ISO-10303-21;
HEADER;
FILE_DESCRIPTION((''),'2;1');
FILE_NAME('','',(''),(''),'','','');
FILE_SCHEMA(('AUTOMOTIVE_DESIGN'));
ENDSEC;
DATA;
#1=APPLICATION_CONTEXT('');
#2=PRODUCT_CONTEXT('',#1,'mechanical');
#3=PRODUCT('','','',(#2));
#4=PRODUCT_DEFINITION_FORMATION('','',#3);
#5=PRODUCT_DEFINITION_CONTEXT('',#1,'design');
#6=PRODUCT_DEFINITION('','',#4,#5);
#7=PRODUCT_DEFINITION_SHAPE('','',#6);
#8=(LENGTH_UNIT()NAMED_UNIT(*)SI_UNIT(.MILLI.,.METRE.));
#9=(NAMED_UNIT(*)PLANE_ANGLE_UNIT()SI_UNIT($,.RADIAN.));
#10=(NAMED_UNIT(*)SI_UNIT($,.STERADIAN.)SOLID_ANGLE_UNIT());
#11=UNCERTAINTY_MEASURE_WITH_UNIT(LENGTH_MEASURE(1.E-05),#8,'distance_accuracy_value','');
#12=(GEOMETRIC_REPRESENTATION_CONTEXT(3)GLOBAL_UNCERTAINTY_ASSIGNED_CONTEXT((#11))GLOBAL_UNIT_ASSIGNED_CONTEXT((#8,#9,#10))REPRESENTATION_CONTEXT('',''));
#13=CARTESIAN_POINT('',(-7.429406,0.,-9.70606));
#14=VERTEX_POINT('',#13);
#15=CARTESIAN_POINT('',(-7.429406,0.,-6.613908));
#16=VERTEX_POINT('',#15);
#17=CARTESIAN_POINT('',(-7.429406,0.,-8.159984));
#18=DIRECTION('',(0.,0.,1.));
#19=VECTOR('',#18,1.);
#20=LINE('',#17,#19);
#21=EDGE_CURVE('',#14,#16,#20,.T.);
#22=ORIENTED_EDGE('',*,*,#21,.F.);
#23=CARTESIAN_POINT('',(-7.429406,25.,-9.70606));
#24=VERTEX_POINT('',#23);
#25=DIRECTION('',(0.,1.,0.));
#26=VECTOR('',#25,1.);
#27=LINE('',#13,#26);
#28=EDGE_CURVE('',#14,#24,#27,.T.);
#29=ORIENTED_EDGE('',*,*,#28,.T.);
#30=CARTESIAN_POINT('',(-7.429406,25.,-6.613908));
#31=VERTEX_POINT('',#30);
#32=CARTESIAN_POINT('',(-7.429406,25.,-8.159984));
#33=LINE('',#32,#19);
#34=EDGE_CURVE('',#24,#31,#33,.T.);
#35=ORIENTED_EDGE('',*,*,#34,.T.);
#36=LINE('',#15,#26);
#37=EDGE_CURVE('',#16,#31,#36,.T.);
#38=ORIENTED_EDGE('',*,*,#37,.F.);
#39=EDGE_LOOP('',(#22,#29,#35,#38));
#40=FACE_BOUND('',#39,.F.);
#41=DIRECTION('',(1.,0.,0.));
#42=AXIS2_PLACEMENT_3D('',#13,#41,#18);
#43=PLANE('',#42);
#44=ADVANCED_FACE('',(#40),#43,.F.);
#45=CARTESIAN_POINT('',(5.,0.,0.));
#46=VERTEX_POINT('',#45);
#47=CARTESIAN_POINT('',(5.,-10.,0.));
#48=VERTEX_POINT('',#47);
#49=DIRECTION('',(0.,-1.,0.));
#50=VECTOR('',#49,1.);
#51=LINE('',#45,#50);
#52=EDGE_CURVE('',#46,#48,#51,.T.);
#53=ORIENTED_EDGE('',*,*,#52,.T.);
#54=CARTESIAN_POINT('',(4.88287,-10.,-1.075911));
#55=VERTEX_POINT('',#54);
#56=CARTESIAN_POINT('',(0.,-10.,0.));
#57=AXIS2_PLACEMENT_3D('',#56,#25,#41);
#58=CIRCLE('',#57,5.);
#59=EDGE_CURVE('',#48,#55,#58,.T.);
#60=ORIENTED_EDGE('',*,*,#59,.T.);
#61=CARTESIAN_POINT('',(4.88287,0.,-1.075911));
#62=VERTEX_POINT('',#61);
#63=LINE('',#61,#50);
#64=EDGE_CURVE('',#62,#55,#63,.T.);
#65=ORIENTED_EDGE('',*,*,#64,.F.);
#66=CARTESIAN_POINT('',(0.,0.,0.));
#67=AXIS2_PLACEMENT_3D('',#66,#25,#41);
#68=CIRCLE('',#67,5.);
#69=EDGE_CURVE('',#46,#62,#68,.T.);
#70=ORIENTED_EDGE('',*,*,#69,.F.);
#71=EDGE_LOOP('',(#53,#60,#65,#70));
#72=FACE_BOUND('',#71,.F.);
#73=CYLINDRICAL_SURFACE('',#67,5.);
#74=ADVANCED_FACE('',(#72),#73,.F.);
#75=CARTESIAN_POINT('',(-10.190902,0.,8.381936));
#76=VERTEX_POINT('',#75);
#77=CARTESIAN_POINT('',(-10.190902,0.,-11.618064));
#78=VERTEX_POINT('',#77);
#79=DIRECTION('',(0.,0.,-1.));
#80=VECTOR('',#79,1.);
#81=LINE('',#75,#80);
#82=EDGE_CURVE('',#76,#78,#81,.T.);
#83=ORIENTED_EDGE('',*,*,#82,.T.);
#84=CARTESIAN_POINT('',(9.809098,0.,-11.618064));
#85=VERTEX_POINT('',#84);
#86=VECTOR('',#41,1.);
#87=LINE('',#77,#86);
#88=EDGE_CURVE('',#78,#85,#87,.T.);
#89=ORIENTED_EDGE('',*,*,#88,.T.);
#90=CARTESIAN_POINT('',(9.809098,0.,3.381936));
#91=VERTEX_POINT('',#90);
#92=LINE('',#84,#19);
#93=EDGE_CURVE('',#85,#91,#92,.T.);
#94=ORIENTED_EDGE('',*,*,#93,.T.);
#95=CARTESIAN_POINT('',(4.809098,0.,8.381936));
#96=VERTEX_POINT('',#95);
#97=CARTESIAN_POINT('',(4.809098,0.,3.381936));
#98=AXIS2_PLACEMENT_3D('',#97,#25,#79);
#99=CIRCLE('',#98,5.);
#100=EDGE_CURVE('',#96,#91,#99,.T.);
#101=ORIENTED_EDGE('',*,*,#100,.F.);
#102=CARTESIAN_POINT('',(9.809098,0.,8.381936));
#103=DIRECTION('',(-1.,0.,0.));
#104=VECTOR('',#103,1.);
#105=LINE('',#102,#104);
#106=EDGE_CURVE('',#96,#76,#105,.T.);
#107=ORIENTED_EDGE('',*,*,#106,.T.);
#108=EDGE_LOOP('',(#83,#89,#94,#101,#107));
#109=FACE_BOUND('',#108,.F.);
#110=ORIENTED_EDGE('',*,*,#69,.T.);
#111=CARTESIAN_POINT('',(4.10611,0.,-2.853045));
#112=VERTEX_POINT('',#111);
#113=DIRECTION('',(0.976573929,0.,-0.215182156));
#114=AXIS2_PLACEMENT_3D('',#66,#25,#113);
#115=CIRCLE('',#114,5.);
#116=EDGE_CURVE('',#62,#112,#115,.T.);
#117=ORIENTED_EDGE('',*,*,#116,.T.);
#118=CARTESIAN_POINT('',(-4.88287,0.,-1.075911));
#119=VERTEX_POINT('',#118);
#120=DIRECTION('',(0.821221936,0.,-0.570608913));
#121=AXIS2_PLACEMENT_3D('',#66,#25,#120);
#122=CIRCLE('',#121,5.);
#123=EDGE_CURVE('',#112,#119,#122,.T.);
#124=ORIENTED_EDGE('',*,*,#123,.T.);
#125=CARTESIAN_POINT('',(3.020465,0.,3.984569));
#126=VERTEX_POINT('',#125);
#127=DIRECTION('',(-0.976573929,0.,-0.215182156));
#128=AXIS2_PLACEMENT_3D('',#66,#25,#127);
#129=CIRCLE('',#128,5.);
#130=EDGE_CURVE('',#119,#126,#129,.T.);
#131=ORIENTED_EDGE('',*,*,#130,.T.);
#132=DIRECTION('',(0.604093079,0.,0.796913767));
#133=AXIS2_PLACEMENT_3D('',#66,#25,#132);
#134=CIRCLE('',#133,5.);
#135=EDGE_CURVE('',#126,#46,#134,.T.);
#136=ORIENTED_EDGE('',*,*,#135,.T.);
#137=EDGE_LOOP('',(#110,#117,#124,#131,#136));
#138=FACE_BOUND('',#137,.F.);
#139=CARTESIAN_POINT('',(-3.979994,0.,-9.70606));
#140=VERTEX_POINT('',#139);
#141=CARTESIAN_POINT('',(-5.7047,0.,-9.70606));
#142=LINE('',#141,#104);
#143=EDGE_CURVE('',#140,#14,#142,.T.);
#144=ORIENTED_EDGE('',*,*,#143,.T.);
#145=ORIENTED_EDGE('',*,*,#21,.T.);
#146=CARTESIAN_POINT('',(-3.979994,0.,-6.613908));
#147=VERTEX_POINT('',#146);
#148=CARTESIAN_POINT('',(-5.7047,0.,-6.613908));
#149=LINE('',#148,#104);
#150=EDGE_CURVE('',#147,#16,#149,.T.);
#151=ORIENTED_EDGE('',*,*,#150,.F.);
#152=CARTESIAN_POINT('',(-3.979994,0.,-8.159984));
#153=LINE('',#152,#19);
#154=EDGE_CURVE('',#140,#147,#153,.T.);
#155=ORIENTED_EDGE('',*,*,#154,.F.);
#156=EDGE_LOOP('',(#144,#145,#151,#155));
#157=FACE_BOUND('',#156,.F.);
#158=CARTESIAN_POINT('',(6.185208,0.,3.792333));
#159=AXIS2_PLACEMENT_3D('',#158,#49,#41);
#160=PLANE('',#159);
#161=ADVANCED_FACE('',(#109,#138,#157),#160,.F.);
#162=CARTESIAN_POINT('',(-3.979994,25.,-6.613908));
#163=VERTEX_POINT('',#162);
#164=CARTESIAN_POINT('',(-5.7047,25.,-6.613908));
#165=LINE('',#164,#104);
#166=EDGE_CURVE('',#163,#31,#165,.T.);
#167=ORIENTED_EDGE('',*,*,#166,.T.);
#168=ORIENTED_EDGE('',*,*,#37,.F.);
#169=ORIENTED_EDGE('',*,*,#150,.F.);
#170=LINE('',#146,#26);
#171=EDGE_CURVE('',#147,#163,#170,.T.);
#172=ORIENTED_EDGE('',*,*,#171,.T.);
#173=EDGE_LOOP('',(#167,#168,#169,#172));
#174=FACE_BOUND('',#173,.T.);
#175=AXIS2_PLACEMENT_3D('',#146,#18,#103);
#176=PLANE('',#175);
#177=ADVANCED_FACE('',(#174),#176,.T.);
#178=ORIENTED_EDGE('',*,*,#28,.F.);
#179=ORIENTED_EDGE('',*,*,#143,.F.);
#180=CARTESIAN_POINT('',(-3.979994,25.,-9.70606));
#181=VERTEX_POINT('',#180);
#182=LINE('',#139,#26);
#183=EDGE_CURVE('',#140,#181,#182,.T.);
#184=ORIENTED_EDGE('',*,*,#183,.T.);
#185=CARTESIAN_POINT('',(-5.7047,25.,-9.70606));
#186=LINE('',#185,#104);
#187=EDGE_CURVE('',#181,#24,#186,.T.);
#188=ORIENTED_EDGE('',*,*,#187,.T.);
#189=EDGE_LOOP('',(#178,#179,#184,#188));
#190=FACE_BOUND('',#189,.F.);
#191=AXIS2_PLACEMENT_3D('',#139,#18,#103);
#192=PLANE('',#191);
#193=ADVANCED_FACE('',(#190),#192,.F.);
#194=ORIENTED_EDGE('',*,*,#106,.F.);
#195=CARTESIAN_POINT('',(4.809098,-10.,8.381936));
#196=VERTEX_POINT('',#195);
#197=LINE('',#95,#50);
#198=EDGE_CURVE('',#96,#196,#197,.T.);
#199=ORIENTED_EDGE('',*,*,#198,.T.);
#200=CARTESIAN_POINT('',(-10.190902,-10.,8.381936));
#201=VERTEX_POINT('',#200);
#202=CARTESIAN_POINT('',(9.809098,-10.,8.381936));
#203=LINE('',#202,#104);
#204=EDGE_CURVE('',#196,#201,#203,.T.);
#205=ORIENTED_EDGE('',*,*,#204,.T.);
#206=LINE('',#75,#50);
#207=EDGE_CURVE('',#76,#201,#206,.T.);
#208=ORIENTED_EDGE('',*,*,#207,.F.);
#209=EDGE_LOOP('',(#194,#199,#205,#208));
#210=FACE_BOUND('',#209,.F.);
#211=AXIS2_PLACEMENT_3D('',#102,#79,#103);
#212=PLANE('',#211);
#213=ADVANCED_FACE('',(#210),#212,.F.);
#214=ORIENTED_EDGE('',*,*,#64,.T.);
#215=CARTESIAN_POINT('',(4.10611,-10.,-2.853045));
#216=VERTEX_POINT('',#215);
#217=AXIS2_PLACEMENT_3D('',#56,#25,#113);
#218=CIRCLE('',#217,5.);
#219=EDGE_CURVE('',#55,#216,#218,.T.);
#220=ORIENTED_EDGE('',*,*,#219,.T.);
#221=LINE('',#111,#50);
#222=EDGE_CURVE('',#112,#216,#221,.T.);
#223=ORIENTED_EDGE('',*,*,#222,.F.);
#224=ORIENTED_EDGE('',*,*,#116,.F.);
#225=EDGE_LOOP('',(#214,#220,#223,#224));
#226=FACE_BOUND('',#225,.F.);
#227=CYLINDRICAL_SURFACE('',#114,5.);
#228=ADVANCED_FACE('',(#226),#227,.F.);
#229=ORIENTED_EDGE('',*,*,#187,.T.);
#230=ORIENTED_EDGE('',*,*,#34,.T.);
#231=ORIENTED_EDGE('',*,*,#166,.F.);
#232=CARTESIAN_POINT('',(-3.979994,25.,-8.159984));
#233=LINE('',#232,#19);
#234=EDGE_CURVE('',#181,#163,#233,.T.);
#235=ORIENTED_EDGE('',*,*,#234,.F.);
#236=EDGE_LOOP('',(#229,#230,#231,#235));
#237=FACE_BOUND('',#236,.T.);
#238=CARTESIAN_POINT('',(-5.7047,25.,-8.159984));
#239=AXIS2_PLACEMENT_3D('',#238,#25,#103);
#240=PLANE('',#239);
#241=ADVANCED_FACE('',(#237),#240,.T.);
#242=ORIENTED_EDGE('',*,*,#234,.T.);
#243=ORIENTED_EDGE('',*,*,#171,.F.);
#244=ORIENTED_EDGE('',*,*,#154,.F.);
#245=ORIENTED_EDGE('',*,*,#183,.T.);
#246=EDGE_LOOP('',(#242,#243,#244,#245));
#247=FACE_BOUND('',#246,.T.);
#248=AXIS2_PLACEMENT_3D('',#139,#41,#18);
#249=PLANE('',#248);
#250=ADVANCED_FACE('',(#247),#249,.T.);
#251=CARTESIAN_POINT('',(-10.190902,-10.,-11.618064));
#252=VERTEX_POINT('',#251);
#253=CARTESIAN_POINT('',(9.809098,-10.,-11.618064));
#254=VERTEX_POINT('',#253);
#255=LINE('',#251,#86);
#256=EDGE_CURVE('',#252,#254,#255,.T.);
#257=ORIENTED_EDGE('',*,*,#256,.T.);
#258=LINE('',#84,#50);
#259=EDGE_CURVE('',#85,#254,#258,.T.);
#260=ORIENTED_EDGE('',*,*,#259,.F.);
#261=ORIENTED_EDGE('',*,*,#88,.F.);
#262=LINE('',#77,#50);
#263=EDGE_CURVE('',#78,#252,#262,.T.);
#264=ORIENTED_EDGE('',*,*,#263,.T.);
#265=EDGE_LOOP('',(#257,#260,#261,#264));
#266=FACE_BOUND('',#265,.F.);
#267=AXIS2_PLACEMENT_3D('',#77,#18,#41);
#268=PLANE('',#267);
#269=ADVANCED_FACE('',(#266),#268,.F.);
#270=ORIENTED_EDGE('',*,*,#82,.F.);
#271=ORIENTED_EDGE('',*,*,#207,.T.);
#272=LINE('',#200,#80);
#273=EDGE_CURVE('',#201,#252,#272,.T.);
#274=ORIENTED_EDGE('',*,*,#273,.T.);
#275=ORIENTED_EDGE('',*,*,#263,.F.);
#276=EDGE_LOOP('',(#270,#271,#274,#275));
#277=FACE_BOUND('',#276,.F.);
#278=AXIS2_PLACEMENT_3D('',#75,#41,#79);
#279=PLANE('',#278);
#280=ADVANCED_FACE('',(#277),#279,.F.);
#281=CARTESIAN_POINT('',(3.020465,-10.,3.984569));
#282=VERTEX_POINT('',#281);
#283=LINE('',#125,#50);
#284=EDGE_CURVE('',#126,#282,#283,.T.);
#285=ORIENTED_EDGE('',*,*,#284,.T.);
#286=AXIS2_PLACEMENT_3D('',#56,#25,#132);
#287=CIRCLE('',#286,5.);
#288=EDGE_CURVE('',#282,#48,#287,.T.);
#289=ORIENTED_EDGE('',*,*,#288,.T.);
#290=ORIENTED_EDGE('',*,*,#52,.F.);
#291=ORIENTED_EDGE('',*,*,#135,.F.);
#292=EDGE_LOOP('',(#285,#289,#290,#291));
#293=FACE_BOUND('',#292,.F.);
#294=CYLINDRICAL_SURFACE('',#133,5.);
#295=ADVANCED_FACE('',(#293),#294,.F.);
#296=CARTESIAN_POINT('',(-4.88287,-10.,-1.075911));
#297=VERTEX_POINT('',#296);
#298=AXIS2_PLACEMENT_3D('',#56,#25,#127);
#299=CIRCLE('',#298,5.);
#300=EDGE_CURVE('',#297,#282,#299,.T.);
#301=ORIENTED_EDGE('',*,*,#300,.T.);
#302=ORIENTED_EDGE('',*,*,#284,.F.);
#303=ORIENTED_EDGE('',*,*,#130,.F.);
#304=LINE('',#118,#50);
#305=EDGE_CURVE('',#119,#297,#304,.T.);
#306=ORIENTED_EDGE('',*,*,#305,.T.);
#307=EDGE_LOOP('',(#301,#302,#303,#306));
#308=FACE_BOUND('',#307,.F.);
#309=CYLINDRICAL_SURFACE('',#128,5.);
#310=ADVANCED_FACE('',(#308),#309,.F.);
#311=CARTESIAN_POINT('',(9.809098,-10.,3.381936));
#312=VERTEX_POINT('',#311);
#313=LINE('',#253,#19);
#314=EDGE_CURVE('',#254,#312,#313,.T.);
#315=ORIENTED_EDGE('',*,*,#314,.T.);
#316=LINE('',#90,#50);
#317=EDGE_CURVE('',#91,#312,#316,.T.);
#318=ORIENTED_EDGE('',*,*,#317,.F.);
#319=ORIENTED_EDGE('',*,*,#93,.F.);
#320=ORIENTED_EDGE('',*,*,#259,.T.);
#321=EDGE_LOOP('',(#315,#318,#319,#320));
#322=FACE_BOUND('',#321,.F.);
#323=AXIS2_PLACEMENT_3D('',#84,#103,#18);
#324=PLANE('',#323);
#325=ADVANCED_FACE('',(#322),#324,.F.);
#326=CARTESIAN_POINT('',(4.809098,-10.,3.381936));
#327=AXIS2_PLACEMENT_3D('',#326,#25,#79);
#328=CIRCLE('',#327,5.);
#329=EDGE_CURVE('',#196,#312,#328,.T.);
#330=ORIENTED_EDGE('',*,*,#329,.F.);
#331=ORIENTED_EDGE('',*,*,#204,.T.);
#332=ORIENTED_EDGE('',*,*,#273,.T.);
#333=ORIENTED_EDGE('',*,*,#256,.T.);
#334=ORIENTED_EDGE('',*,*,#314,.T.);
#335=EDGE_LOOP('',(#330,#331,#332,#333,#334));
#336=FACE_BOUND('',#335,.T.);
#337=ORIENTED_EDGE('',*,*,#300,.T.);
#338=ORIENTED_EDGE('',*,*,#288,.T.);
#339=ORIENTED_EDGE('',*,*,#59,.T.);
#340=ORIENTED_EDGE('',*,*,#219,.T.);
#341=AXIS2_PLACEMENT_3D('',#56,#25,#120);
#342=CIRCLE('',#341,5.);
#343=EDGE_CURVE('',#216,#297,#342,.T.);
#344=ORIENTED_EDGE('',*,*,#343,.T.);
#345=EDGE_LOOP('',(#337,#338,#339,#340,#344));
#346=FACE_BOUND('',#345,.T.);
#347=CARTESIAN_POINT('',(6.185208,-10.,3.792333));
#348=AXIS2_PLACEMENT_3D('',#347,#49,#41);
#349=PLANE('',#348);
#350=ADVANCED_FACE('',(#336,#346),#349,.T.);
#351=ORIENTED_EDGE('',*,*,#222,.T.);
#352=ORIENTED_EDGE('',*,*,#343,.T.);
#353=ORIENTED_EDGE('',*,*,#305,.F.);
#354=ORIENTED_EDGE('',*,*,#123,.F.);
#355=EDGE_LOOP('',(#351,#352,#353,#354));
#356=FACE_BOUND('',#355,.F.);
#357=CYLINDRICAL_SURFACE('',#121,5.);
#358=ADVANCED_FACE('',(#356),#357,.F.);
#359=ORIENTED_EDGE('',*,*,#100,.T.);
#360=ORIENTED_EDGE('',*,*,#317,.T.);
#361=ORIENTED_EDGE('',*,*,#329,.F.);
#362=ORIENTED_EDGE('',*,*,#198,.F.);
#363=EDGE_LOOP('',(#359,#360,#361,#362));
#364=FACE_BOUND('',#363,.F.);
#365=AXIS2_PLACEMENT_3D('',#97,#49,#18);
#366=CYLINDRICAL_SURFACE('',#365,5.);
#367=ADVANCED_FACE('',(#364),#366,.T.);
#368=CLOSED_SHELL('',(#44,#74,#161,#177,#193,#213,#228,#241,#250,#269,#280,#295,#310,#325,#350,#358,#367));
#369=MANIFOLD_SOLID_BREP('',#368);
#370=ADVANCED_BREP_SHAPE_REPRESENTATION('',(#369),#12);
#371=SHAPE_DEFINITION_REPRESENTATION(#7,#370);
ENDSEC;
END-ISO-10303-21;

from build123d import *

# Parameters (mm, degrees)
F1_DEPTH = 10
F2_R     = 5
F3_W     = 3.4494120628
F3_H     = 3.0921520665
F4_DEPTH = 25


with BuildPart() as f1:
    # F0 (on Front) → F1 (new body)
    with BuildSketch(Plane.XZ):
        with BuildLine():
            Line((9.80909843, 8.3819362969), (0.1013143445, 8.3819362969))
            ThreePointArc((0.1013143445, 8.3819362969), (1.7648005084, 6.3186167265), (3.0204653947, 3.9845688349))
            ThreePointArc((3.0204653947, 3.9845688349), (4.477852553, 2.2245980566), (5, 0))
            ThreePointArc((5, 0), (4.9706311589, -0.5411338858), (4.882869647, -1.0759107816))
            ThreePointArc((4.882869647, -1.0759107816), (6.6796718733, -2.1122029912), (8.2635629596, -3.4514896709))
            ThreePointArc((8.2635629596, -3.4514896709), (9.0582816008, -2.8412785407), (9.80909843, -2.1777957366))
            Line((9.80909843, -2.1777957366), (9.80909843, 8.3819362969))
        make_face()
        with BuildLine():
            Line((0.1013143445, 8.3819362969), (-10.19090157, 8.3819362969))
            Line((-10.19090157, 8.3819362969), (-10.19090157, -2.1777957366))
            ThreePointArc((-10.19090157, -2.1777957366), (-9.332541843, -2.9290474683), (-8.4179443125, -3.6107159674))
            ThreePointArc((-8.4179443125, -3.6107159674), (-6.7700976602, -2.1763910822), (-4.882869647, -1.0759107816))
            ThreePointArc((-4.882869647, -1.0759107816), (-2.6961548337, 4.2107896068), (3.0204653947, 3.9845688349))
            ThreePointArc((3.0204653947, 3.9845688349), (1.7648005084, 6.3186167265), (0.1013143445, 8.3819362969))
        make_face()
        with BuildLine():
            ThreePointArc((-8.4179443125, -3.6107159674), (-9.3833116946, -4.7673071134), (-10.19090157, -6.0390916293))
            Line((-10.19090157, -6.0390916293), (-10.19090157, -11.6180637031))
            Line((-10.19090157, -11.6180637031), (0.1013143445, -11.6180637031))
            ThreePointArc((0.1013143445, -11.6180637031), (2.2019143942, -8.8532431003), (3.5769410003, -5.6648178828))
            ThreePointArc((3.5769410003, -5.6648178828), (-2.6456826628, -5.9527067194), (-8.4179443125, -3.6107159674))
        make_face()
        with BuildLine():
            ThreePointArc((-4.882869647, -1.0759107816), (-6.7700976602, -2.1763910822), (-8.4179443125, -3.6107159674))
            ThreePointArc((-8.4179443125, -3.6107159674), (-2.6456826628, -5.9527067194), (3.5769410003, -5.6648178828))
            ThreePointArc((3.5769410003, -5.6648178828), (3.9117762713, -4.2721522728), (4.1061096807, -2.8530445651))
            ThreePointArc((4.1061096807, -2.8530445651), (-0.969737146, -4.9050596192), (-4.882869647, -1.0759107816))
        make_face()
        with BuildLine():
            ThreePointArc((-8.4179443125, -3.6107159674), (-9.332541843, -2.9290474683), (-10.19090157, -2.1777957366))
            Line((-10.19090157, -2.1777957366), (-10.19090157, -6.0390916293))
            ThreePointArc((-10.19090157, -6.0390916293), (-9.3833116946, -4.7673071134), (-8.4179443125, -3.6107159674))
        make_face()
        with BuildLine():
            ThreePointArc((4.1061096807, -2.8530445651), (3.9117762713, -4.2721522728), (3.5769410003, -5.6648178828))
            ThreePointArc((3.5769410003, -5.6648178828), (6.0196461638, -4.7686164468), (8.2635629596, -3.4514896709))
            ThreePointArc((8.2635629596, -3.4514896709), (6.6796718733, -2.1122029912), (4.882869647, -1.0759107816))
            ThreePointArc((4.882869647, -1.0759107816), (4.5814832161, -2.002501321), (4.1061096807, -2.8530445651))
        make_face()
        with BuildLine():
            ThreePointArc((8.2635629596, -3.4514896709), (6.0196461638, -4.7686164468), (3.5769410003, -5.6648178828))
            ThreePointArc((3.5769410003, -5.6648178828), (2.2019143942, -8.8532431003), (0.1013143445, -11.6180637031))
            Line((0.1013143445, -11.6180637031), (9.80909843, -11.6180637031))
            Line((9.80909843, -11.6180637031), (9.80909843, -5.3922310519))
            ThreePointArc((9.80909843, -5.3922310519), (9.0882832098, -4.3804872781), (8.2635629596, -3.4514896709))
        make_face()
        with BuildLine():
            Line((9.80909843, -5.3922310519), (9.80909843, -2.1777957366))
            ThreePointArc((9.80909843, -2.1777957366), (9.0582816008, -2.8412785407), (8.2635629596, -3.4514896709))
            ThreePointArc((8.2635629596, -3.4514896709), (9.0882832098, -4.3804872781), (9.80909843, -5.3922310519))
        make_face()
    extrude(amount=F1_DEPTH)

    # F2
    f2_edges = [f1.edges().sort_by_distance(p)[0] for p in [
        (9.809098, -5, 8.381936),
    ]]
    fillet(f2_edges, radius=F2_R)

    # F3 (on face) → F4 (join)
    with BuildSketch(Plane(origin=(0, 0, 0), x_dir=(-1, 0, 0), z_dir=(0, 1, 0))):
        with Locations((5.7046995498, -8.1599843688)):
            Rectangle(F3_W, F3_H)
    extrude(amount=F4_DEPTH)


solid = f1.part
